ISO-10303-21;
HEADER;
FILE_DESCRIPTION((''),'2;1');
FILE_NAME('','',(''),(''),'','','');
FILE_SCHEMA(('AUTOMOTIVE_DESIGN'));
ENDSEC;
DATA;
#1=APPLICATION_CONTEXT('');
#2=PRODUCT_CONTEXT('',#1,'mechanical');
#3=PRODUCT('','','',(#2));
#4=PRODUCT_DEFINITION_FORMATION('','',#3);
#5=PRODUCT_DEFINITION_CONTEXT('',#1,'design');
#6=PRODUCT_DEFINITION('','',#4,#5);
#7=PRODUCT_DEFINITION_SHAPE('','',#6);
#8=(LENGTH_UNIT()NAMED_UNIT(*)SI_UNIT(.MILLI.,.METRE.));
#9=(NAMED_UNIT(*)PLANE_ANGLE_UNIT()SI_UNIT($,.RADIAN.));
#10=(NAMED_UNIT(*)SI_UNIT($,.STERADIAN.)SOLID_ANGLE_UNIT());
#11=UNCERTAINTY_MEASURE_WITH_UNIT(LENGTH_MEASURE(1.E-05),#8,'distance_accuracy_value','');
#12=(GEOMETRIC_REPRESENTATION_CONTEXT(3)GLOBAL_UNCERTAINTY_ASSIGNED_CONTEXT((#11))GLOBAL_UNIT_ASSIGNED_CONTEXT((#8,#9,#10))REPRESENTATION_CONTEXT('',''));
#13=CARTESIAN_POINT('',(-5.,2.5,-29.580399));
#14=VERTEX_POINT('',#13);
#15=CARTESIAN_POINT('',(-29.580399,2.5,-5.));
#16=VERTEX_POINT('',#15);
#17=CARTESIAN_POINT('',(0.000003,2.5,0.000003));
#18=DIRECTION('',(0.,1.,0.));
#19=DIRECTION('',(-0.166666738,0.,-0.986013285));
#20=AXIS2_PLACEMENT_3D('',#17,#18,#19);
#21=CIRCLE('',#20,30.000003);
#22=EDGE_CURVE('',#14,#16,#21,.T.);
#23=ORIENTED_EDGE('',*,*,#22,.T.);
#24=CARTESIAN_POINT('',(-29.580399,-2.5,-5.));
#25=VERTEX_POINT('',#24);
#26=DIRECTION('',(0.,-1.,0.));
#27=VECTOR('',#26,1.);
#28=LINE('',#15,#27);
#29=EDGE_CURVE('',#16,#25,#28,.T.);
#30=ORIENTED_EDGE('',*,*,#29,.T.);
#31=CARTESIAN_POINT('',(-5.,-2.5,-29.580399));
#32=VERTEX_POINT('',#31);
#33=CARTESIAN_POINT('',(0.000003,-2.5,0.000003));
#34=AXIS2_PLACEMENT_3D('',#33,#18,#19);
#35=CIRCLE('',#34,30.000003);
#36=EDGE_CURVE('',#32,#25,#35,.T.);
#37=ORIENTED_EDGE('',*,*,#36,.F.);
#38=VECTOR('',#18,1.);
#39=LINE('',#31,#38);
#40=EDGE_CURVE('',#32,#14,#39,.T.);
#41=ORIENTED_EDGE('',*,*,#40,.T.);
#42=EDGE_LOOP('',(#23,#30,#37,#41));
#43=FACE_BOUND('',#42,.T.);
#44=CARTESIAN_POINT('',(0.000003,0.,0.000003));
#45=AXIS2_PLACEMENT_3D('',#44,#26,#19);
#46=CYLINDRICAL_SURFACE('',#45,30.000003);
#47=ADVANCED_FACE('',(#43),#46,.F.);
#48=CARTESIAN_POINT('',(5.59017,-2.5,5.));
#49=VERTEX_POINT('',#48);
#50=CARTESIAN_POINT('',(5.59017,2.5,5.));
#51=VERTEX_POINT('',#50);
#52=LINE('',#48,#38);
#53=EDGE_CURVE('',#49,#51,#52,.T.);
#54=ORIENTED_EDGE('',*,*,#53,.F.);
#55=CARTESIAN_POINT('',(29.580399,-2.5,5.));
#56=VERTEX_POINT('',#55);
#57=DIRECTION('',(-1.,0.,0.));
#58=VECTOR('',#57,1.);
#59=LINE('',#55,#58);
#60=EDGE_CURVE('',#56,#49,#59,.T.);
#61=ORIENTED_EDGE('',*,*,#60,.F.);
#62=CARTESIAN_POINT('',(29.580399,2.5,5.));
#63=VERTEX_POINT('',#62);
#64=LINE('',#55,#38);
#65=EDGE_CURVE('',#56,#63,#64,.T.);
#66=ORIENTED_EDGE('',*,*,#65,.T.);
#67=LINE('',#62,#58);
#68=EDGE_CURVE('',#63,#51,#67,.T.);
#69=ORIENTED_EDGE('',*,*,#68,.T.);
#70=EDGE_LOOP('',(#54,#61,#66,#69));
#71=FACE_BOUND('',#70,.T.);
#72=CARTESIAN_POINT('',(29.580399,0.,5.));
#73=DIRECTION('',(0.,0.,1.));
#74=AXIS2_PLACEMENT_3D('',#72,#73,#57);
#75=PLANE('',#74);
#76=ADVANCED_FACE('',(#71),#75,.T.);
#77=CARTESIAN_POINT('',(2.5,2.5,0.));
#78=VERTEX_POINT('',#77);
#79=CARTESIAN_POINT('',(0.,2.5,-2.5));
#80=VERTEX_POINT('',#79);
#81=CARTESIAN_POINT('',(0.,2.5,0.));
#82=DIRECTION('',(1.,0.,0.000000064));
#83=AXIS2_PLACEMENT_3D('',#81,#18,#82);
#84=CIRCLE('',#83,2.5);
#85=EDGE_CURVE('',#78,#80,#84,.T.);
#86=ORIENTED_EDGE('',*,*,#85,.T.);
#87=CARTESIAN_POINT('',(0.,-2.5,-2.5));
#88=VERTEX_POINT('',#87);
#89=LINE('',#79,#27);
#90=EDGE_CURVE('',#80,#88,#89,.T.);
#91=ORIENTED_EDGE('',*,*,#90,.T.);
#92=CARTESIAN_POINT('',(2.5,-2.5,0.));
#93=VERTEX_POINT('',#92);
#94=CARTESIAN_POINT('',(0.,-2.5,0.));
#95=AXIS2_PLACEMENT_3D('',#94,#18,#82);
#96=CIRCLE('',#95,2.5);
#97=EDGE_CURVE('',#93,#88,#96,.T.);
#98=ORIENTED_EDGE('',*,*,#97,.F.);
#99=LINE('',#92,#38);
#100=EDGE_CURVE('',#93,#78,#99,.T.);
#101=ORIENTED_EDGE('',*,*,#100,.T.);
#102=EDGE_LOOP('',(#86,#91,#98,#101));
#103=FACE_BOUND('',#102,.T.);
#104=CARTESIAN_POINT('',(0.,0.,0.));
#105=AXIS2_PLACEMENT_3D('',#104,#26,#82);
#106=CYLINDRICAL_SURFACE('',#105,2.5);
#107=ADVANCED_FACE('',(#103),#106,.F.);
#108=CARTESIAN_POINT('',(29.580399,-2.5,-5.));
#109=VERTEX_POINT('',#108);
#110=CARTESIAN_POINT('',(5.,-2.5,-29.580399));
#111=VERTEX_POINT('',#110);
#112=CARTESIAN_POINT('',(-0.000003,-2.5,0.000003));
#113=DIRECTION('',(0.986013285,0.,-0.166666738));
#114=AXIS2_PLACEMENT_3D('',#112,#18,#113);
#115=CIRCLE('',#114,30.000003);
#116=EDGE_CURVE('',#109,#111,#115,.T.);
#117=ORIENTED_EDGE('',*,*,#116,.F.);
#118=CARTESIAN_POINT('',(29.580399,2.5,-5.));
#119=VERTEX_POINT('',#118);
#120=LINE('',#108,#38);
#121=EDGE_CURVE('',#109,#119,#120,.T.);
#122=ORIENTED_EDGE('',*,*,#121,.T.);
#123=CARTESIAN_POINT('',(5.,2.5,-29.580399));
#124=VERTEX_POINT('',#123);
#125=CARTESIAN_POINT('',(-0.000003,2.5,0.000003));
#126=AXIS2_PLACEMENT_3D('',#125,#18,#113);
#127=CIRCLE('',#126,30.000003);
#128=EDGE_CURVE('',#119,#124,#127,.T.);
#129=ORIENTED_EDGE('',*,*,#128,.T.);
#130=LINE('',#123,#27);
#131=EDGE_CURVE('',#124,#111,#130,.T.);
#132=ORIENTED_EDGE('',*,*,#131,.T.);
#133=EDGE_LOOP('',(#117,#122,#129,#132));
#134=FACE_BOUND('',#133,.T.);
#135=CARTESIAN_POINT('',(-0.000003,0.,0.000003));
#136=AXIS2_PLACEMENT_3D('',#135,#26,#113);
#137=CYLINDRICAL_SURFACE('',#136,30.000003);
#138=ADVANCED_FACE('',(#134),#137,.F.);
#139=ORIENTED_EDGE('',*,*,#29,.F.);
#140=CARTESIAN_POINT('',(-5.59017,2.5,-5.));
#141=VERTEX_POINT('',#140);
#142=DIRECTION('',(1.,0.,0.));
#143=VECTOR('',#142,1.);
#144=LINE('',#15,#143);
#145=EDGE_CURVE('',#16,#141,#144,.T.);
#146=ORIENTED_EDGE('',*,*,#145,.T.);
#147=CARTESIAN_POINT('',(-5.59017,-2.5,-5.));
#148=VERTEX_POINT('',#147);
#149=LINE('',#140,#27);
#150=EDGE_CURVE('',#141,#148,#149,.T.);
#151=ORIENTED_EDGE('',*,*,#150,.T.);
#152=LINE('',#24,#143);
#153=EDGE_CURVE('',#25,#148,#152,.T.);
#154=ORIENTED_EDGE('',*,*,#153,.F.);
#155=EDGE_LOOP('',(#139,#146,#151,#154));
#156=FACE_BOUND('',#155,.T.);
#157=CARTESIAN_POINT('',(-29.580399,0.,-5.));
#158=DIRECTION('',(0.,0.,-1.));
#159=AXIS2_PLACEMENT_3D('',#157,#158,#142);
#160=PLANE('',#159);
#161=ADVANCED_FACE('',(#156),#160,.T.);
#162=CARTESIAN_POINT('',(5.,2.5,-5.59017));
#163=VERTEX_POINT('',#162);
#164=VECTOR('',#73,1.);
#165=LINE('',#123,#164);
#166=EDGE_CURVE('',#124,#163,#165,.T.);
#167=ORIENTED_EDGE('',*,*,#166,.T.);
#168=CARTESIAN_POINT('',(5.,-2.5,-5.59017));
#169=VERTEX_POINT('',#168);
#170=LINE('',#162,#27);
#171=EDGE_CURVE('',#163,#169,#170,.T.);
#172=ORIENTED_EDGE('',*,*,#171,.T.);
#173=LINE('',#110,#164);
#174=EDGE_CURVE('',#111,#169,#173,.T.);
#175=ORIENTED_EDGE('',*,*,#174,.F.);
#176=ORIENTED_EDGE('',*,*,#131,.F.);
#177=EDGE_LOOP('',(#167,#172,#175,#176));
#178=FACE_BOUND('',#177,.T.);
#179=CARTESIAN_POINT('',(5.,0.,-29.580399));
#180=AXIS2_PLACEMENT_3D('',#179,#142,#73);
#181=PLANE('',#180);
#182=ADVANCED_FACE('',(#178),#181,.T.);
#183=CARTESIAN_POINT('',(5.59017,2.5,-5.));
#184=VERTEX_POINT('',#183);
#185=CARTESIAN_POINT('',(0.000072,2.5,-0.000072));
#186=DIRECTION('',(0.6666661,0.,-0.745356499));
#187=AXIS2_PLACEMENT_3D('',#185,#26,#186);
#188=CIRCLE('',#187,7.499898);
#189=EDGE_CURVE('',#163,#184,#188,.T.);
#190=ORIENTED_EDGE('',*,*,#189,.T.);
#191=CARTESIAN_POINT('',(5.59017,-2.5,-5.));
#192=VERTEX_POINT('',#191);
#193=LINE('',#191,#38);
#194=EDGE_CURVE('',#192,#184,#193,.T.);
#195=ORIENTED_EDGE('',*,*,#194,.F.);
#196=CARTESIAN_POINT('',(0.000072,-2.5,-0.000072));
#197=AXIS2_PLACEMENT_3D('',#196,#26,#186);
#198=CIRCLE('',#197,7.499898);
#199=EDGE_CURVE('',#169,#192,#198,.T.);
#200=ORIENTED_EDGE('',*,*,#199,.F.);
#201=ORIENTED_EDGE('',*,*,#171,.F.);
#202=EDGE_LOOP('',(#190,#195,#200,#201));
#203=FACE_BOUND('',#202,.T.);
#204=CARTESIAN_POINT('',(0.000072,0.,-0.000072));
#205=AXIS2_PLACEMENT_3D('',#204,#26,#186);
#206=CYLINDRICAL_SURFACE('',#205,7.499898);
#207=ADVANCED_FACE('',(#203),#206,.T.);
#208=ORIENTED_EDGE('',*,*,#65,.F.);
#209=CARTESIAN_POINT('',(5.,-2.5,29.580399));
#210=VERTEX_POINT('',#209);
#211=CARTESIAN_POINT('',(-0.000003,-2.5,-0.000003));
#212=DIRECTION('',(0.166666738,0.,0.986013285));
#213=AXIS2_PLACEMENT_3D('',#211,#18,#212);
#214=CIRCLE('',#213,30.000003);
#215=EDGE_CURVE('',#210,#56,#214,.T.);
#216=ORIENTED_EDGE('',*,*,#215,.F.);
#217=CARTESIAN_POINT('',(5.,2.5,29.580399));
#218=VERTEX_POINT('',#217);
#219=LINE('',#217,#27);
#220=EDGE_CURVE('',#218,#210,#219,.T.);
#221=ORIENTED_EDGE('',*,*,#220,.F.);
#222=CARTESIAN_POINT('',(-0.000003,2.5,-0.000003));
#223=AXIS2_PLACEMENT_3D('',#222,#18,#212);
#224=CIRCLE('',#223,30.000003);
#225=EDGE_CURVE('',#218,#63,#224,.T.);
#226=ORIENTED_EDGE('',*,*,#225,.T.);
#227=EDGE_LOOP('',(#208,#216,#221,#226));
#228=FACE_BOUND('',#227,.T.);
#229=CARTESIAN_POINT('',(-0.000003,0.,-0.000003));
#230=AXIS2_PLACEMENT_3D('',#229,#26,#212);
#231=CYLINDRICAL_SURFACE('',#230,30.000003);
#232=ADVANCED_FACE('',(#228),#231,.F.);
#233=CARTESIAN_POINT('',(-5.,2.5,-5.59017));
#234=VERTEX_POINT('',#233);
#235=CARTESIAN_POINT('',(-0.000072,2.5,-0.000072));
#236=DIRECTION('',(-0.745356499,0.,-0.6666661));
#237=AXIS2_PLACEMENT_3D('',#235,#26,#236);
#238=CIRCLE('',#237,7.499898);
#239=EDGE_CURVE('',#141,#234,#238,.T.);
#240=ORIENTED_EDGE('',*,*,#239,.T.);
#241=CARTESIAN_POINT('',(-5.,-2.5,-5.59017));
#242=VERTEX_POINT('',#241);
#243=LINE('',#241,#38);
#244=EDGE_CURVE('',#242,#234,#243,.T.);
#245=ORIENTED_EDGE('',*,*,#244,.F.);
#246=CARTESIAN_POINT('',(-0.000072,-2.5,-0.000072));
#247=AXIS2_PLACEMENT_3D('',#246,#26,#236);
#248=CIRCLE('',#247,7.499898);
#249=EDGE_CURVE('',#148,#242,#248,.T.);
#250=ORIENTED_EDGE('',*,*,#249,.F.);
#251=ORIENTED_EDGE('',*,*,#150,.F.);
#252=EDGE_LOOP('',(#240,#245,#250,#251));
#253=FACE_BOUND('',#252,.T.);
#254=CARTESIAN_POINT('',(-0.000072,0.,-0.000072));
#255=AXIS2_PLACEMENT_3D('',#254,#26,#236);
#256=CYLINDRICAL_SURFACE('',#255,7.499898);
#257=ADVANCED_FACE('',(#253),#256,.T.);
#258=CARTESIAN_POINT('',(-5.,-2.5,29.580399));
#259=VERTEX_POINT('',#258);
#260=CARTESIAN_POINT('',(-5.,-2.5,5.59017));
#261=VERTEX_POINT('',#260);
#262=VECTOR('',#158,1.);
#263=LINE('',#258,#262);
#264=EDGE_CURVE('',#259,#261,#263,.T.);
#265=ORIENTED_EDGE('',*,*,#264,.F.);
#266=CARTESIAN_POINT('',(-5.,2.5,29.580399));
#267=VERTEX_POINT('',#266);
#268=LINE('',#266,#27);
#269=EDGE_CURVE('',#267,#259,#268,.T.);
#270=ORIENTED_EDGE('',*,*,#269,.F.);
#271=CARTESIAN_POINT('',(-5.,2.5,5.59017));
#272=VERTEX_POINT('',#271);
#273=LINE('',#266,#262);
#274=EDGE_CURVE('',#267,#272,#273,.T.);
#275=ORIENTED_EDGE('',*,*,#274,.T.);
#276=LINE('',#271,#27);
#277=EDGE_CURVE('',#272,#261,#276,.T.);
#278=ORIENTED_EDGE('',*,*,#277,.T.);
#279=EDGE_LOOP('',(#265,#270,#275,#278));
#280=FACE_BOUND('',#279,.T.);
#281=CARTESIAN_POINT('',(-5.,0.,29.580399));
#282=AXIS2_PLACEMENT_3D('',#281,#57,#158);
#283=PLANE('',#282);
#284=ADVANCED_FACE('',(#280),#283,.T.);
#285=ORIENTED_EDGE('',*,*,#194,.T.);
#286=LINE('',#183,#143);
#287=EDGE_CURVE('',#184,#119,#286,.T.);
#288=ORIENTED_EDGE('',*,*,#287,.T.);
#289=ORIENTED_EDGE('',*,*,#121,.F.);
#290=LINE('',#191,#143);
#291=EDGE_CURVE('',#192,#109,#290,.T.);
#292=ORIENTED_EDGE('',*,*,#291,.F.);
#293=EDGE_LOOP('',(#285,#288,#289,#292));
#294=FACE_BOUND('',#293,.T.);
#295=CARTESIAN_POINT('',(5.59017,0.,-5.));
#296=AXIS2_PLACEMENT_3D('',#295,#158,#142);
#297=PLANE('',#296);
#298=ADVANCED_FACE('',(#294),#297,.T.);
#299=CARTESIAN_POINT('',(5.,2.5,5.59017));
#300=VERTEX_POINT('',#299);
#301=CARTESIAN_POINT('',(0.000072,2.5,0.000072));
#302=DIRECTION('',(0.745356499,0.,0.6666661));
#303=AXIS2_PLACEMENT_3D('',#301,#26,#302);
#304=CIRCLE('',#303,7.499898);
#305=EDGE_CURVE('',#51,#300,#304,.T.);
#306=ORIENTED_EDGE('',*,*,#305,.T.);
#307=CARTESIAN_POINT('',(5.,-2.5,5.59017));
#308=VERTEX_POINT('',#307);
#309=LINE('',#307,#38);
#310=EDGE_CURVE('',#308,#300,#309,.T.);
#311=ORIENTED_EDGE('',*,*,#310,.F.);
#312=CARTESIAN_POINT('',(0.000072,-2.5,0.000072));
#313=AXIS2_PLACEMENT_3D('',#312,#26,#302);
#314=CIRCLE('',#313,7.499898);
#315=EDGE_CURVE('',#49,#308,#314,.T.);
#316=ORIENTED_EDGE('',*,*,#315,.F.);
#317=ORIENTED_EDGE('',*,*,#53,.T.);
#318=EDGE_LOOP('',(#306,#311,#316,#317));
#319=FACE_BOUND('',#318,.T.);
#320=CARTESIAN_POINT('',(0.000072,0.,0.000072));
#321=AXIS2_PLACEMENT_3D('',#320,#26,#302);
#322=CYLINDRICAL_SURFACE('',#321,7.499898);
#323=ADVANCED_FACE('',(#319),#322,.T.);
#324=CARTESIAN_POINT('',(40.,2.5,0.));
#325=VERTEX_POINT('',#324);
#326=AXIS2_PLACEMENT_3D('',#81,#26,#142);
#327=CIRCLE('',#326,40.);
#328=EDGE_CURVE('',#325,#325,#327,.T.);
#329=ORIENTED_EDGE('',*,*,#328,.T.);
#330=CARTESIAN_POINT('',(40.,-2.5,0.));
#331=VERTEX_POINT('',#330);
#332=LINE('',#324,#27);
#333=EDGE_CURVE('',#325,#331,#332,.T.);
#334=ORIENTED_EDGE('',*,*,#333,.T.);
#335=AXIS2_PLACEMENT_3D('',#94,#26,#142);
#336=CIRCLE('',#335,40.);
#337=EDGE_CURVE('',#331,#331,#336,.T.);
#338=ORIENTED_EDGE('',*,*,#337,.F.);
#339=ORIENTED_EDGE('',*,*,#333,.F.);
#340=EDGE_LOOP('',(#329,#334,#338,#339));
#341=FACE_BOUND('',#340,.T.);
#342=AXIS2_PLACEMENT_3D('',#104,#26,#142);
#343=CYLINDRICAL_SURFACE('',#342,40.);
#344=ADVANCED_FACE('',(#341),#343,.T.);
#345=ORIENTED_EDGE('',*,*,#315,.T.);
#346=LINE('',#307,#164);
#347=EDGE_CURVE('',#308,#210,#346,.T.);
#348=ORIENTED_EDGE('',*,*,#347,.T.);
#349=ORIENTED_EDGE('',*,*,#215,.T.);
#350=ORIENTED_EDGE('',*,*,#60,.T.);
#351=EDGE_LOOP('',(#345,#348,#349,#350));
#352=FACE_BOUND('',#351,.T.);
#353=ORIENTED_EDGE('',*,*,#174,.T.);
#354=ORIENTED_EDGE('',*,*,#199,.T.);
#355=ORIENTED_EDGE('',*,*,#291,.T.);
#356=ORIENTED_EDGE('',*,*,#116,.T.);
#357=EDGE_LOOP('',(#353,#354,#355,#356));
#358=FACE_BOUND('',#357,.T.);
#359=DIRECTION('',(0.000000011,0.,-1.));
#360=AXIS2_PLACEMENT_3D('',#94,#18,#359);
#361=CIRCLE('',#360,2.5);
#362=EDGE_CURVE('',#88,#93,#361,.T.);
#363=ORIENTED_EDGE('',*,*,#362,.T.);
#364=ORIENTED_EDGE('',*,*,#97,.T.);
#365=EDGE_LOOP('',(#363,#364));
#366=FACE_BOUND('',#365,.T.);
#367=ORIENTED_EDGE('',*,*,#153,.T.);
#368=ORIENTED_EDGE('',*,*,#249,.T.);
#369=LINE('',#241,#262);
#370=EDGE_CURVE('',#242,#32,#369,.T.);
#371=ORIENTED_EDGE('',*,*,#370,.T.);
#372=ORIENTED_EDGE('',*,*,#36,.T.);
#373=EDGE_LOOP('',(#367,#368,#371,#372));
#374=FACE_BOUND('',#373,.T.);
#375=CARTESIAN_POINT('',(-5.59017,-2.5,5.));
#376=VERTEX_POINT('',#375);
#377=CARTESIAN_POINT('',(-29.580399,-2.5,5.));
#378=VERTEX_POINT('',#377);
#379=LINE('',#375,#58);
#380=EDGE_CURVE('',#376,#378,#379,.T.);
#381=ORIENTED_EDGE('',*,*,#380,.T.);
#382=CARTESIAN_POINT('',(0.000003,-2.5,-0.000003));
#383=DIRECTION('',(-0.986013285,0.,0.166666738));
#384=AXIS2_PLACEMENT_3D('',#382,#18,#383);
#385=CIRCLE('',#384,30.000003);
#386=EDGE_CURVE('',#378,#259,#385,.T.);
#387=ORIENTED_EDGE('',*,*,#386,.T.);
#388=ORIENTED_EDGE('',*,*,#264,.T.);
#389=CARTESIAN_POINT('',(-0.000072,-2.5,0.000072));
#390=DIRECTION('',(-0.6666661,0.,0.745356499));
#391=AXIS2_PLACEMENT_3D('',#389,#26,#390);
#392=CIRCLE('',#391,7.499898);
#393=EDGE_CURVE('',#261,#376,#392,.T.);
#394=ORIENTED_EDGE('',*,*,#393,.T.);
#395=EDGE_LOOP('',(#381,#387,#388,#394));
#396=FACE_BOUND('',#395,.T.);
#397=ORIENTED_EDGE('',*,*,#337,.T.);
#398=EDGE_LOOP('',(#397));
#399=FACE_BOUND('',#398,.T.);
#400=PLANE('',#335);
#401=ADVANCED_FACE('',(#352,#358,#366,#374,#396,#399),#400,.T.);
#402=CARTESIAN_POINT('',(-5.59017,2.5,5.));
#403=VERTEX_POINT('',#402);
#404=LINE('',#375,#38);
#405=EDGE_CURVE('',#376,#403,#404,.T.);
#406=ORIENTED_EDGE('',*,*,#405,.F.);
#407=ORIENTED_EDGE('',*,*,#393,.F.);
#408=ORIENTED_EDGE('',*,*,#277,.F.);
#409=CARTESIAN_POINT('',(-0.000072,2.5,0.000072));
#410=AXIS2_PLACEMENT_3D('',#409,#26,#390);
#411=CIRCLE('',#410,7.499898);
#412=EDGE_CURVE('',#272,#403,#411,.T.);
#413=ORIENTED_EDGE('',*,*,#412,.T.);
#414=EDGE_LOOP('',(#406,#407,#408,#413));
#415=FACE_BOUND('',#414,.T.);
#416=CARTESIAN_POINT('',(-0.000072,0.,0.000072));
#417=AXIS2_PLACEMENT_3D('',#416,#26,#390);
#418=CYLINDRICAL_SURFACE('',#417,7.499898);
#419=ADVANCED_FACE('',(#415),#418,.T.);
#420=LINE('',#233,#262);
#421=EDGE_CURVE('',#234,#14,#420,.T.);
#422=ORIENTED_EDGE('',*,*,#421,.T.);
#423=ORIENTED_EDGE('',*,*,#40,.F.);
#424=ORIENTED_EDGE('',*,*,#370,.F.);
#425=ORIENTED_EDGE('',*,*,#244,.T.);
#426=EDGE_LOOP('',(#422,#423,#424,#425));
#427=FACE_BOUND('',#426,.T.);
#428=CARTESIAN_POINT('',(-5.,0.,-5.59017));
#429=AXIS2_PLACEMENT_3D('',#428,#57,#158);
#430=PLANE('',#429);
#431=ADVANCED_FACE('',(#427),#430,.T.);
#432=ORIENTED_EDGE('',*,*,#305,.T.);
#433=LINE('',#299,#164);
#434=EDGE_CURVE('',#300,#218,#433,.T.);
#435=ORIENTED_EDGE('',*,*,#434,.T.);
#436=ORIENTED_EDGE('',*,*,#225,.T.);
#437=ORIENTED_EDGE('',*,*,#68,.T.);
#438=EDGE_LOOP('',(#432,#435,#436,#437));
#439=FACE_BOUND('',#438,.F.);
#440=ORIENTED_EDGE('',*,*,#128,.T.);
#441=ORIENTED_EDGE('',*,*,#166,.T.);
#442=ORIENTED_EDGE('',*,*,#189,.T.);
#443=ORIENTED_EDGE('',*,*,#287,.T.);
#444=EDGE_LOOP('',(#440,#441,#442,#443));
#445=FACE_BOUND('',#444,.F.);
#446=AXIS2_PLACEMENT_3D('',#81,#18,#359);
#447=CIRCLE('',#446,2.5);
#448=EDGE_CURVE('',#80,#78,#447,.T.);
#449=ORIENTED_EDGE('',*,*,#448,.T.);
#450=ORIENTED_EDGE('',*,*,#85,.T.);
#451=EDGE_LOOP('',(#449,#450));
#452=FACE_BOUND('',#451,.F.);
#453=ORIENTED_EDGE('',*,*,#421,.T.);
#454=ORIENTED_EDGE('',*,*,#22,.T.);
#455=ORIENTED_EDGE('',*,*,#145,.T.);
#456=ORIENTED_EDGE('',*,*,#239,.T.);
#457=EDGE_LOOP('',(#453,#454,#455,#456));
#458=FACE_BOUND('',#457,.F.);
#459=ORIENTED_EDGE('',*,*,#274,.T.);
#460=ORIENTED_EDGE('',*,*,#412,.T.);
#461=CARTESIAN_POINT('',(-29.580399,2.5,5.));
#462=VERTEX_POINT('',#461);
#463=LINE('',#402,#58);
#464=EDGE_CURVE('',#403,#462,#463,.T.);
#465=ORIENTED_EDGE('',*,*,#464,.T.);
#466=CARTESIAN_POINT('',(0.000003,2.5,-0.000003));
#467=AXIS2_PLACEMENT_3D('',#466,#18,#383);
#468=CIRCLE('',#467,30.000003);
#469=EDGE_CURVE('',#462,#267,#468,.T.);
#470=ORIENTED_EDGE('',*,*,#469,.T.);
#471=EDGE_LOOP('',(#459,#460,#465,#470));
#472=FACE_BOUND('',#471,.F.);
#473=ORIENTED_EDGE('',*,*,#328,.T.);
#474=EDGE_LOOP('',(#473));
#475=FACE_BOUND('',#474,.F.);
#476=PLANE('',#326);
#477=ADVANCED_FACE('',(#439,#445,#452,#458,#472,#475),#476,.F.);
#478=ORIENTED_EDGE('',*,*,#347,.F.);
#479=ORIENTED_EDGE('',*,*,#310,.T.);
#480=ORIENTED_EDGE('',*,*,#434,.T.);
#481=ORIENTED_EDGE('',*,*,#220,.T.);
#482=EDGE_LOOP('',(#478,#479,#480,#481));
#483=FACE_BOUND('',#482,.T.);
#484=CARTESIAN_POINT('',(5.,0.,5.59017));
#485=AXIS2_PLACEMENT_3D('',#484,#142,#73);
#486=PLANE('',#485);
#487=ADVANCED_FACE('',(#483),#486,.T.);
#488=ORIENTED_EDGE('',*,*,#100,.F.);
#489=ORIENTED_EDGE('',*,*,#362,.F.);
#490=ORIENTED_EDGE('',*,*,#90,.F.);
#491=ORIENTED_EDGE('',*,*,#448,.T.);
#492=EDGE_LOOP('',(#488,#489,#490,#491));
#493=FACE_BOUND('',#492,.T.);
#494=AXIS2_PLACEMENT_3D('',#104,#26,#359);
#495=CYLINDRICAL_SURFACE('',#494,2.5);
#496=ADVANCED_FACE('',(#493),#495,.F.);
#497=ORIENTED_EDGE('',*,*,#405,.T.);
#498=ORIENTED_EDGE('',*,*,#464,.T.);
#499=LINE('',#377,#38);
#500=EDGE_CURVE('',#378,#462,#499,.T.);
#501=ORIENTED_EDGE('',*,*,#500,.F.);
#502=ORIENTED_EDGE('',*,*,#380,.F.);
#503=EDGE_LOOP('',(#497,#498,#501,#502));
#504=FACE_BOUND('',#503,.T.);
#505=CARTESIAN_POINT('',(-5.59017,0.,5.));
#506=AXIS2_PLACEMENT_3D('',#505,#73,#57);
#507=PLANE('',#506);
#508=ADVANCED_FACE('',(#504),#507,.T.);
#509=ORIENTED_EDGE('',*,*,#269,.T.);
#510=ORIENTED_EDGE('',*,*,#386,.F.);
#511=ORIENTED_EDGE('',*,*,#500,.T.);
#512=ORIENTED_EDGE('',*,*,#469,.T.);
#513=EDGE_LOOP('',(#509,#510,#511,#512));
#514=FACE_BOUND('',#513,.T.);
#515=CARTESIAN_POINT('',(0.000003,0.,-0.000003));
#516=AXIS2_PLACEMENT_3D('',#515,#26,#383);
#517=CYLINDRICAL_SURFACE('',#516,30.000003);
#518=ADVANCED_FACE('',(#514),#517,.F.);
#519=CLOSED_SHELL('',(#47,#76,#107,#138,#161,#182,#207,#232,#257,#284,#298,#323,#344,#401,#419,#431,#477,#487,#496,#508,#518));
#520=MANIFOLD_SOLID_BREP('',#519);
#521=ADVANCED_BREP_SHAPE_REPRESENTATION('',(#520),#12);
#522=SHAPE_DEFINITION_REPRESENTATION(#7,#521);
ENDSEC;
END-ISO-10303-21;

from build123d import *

# Parameters (mm, degrees)
F0_R     = 40
F1_DEPTH = 2.5


with BuildPart() as f1:
    # F0 (on Front) → F1 (new body, symmetric)
    with BuildSketch(Plane.XZ):
        Circle(F0_R)
        with BuildLine():
            Line((-29.580399, -5), (-5.59017, -5))
            ThreePointArc((-5.59017, -5), (-5.303301, -5.303301), (-5, -5.59017))
            Line((-5, -5.59017), (-5, -29.580399))
            ThreePointArc((-5, -29.580399), (-21.213203, -21.213203), (-29.580399, -5))
        make_face(mode=Mode.SUBTRACT)
        with BuildLine():
            Line((5, -29.580399), (5, -5.59017))
            ThreePointArc((5, -5.59017), (5.303301, -5.303301), (5.59017, -5))
            Line((5.59017, -5), (29.580399, -5))
            ThreePointArc((29.580399, -5), (21.213203, -21.213203), (5, -29.580399))
        make_face(mode=Mode.SUBTRACT)
        with BuildLine():
            Line((-5, 29.580399), (-5, 5.59017))
            ThreePointArc((-5, 5.59017), (-5.303301, 5.303301), (-5.59017, 5))
            Line((-5.59017, 5), (-29.580399, 5))
            ThreePointArc((-29.580399, 5), (-21.213203, 21.213203), (-5, 29.580399))
        make_face(mode=Mode.SUBTRACT)
        with BuildLine():
            ThreePointArc((0, -2.5), (-1.767767, 1.767767), (2.5, 0))
            ThreePointArc((2.5, 0), (1.767767, -1.767767), (0, -2.5))
        make_face(mode=Mode.SUBTRACT)
        with BuildLine():
            ThreePointArc((5, 29.580399), (21.213203, 21.213203), (29.580399, 5))
            Line((29.580399, 5), (5.59017, 5))
            ThreePointArc((5.59017, 5), (5.303301, 5.303301), (5, 5.59017))
            Line((5, 5.59017), (5, 29.580399))
        make_face(mode=Mode.SUBTRACT)
    extrude(amount=F1_DEPTH, both=True)


solid = f1.part
